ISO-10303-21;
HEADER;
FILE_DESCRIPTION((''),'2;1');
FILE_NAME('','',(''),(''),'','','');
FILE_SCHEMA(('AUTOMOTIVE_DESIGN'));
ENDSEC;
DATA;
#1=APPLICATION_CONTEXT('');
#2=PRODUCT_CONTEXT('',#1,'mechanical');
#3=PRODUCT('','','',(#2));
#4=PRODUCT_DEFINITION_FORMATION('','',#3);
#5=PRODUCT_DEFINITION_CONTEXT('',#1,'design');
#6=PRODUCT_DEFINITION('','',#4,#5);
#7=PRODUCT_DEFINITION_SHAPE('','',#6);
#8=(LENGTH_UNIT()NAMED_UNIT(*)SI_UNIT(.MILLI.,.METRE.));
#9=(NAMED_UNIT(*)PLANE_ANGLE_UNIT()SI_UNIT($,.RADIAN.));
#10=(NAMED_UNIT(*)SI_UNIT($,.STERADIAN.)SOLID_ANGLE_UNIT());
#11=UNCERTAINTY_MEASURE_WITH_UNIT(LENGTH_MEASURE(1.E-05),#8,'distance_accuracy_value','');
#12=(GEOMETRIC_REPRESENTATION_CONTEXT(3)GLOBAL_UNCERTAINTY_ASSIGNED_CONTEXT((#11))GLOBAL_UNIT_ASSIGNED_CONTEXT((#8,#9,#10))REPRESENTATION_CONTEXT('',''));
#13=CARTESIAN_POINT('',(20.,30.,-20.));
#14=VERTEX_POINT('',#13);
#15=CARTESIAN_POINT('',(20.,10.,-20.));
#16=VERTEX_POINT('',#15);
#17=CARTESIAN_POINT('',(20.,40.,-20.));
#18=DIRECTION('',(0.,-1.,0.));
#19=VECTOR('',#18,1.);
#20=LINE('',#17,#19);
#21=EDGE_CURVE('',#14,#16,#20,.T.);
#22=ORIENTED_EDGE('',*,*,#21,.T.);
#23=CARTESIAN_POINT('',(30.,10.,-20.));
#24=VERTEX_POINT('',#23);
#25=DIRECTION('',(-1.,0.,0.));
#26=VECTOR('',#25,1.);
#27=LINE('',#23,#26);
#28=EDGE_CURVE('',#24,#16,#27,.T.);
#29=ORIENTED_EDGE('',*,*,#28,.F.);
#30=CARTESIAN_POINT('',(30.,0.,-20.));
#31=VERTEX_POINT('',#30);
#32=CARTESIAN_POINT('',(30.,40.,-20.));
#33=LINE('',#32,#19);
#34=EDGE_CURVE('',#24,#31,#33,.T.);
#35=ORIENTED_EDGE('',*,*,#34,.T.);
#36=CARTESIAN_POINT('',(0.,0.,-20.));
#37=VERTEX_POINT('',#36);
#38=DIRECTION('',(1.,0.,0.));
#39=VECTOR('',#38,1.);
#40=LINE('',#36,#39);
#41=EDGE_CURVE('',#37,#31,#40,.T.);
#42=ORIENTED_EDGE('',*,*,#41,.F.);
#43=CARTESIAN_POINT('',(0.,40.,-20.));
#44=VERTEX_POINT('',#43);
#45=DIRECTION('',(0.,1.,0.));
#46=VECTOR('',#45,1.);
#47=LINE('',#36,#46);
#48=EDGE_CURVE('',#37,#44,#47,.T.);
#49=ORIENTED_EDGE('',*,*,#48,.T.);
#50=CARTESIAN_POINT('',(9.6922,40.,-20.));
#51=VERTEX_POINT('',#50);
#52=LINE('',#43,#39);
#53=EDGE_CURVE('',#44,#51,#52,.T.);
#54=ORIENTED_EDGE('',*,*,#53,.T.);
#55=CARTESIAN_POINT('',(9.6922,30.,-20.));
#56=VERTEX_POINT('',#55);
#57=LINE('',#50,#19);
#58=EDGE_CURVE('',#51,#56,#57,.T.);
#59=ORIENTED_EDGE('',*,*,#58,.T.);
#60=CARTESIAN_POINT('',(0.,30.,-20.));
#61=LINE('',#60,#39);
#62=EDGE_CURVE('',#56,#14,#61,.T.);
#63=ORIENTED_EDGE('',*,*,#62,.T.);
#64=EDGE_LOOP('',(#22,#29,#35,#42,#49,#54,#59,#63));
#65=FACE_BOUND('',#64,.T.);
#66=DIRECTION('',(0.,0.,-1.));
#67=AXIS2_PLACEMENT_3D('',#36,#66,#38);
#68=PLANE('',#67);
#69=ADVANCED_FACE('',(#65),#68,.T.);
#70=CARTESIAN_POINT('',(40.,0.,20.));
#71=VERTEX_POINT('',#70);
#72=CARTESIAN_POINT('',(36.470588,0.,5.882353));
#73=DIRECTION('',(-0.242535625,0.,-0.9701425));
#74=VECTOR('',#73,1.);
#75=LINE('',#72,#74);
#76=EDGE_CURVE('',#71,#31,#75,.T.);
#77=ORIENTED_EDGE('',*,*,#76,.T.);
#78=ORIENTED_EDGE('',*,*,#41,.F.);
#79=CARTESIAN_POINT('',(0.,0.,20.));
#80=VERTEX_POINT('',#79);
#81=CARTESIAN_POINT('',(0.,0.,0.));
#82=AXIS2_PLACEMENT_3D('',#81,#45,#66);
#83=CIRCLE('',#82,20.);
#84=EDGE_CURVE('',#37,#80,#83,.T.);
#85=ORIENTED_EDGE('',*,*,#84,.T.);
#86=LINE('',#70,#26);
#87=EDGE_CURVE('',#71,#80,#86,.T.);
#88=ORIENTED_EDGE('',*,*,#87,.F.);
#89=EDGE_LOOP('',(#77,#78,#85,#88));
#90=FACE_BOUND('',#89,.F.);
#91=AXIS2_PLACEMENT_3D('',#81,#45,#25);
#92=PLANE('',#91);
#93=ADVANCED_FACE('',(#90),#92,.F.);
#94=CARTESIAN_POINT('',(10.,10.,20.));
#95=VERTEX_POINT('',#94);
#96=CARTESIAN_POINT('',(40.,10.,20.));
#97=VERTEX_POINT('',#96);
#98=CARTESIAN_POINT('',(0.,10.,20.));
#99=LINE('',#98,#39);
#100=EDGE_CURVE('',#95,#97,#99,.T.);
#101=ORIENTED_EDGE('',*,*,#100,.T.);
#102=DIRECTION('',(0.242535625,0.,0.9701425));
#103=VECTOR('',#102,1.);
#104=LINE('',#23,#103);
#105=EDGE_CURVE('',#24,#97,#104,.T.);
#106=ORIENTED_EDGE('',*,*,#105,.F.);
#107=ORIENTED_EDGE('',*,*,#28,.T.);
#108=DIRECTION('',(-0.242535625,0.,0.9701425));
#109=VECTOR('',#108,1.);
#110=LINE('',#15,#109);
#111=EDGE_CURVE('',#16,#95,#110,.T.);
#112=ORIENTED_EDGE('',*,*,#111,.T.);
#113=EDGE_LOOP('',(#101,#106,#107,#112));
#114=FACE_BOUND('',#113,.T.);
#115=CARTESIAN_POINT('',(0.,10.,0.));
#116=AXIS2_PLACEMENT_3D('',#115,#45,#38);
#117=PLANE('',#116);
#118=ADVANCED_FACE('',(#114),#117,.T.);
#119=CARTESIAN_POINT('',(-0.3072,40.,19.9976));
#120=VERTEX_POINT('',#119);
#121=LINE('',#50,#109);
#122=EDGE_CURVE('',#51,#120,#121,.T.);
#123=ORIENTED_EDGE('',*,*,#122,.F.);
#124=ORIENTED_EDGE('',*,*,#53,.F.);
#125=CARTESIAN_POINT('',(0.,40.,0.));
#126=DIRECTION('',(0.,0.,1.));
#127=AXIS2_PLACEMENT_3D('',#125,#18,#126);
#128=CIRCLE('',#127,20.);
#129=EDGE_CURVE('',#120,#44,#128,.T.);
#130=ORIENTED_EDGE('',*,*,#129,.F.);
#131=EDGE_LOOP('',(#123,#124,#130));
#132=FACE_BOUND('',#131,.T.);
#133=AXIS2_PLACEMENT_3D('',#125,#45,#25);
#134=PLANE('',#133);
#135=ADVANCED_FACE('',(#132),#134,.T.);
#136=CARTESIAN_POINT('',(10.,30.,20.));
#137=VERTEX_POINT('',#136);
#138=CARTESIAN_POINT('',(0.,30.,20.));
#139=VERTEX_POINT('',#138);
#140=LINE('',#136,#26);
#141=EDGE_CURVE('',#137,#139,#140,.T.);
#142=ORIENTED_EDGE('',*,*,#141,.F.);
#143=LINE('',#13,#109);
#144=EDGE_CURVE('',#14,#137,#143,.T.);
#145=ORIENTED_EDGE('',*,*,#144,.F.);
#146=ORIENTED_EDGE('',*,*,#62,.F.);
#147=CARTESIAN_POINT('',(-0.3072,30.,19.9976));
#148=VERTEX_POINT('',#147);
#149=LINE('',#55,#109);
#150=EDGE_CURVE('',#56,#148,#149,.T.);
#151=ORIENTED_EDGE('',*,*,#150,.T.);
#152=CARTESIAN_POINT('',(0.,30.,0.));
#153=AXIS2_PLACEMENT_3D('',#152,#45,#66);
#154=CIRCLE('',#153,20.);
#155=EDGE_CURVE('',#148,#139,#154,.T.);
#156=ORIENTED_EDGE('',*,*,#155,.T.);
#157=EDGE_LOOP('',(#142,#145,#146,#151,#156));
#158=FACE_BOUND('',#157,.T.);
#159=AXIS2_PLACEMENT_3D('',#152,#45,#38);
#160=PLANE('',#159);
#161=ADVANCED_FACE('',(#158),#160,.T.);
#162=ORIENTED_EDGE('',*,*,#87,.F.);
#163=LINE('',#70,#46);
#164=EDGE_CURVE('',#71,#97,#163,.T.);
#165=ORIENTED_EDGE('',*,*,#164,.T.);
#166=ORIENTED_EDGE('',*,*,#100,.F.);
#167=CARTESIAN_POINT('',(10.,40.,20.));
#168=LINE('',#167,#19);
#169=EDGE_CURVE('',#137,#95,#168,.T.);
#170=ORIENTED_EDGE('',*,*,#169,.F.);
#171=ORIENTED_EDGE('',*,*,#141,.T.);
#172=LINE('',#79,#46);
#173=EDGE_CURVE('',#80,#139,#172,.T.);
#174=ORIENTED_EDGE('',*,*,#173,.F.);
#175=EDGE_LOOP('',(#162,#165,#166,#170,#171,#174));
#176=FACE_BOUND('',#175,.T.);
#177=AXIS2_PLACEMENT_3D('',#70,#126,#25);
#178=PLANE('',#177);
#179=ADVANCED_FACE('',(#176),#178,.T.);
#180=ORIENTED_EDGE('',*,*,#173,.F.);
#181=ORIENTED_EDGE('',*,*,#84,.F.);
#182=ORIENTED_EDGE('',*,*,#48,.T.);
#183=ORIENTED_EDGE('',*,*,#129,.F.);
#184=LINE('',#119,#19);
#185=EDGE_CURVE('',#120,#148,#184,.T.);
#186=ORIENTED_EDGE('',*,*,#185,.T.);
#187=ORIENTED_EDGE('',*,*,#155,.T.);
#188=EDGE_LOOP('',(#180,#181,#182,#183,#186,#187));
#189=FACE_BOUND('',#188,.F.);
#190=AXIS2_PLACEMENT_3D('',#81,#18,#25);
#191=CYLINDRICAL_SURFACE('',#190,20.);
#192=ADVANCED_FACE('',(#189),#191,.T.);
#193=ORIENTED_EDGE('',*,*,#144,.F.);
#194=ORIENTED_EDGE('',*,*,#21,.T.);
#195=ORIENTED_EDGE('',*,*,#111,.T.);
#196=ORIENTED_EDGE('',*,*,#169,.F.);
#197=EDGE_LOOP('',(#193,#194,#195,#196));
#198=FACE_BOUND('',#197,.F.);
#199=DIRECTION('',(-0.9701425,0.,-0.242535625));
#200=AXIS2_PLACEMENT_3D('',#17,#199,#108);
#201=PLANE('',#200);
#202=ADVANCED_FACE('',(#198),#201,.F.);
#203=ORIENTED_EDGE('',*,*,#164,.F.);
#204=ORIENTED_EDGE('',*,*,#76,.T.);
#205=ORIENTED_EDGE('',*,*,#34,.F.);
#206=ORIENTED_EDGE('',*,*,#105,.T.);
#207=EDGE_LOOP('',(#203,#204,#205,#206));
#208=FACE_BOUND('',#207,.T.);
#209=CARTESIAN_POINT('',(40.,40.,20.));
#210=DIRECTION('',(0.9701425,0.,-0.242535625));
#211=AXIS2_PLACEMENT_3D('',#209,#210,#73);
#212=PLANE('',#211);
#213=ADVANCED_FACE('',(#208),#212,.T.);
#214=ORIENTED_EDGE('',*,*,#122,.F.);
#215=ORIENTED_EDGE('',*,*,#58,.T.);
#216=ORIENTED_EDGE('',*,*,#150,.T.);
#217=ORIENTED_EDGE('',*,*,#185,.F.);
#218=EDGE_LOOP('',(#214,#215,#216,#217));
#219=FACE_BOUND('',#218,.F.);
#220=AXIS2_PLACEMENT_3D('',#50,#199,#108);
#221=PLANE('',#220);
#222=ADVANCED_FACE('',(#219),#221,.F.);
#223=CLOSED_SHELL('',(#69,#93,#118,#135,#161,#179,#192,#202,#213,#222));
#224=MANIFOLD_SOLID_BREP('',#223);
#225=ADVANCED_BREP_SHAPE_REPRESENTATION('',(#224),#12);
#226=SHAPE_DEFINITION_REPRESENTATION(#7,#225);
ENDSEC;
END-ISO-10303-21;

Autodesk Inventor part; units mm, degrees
ref_plane "YZ Plane" through (0, 0, 0) normal (1, 0, 0) x (0, 1, 0)
ref_plane "XZ Plane" through (0, 0, 0) normal (0, 1, 0) x (-1, 0, 0)
ref_plane "XY Plane" through (0, 0, 0) normal (0, 0, 1) x (1, 0, 0)
sketch "草圖1" plane through (0, 0, 0) normal (0, 1, 0) x (-1, 0, 0)
  circle A0 centre (0, 0) radius 20
  line L0 (0, -20) -> (-40, -20)
  line L1 (-40, -20) -> (-40, 20)
  line L2 (-40, 20) -> (0, 20)
  line L3 (0, 20) -> (0, -20)
  point P0 (0, 20)
  dimension "d0" = 40
  dimension "d1" = 40
extrude "擠出1" add sketch "草圖1" along normal blind 40
sketch "草圖2" plane through (0, 40, 0) normal (0, 1, 0) x (1, 0, 0)
  line L0 (0, 20) -> (40, 20) projected
  line L1 (40, 20) -> (40, -20) projected
  line L2 (40, -20) -> (0, -20) projected
  arc A0 (0, 20) -> (0, -20) centre (0, 0) ccw projected
  line L3 (0, -20) -> (40, -20) projected
  line L4 (40, -20) -> (30, 20)
  dimension "d4" = 10
extrude "擠出2" cut sketch "草圖2" against normal through all contours L0 L1 L4
sketch "草圖3" plane through (0, 40, 0) normal (0, 1, 0) x (1, 0, 0)
  line L0 (30, 20) -> (0, 20) projected
  line L1 (20, 20) -> (10, -20)
  line L2 (0, -20) -> (40, -20) projected
  line L3 (30, 20) -> (40, -20) projected
  line L4 (40, -20) -> (0, -20) projected
  arc A0 (0, 20) -> (0, -20) centre (0, 0) ccw projected
  line L5 (0, 20) -> (30, 20) projected
  dimension "d7" = 10
  dimension "d8" = 30
extrude "擠出3" cut sketch "草圖3" against normal blind 30 contours L3 L2 L1 L0
sketch "草圖4" plane through (0, 40, 0) normal (0, 1, 0) x (1, 0, 0)
  line L0 (20, 20) -> (10, -20) projected
  line L1 (10, -20) -> (0, -20) projected
  arc A0 (0, 20) -> (0, -20) centre (0, 0) ccw projected
  line L2 (0, 20) -> (20, 20) projected
  line L3 (20, 20) -> (0, 20) projected
  line L4 (9.6922, 20) -> (-0.3072, -19.9976)
  line L5 (0, -20) -> (40, -20) projected
  line L6 (10, -20) -> (20, 20) projected
  dimension "d11" = 10
extrude "擠出4" cut sketch "草圖4" against normal blind 10 contours L0 L1 A0 L4 L2
properties part number "6" material "鋼、碳鋼"
